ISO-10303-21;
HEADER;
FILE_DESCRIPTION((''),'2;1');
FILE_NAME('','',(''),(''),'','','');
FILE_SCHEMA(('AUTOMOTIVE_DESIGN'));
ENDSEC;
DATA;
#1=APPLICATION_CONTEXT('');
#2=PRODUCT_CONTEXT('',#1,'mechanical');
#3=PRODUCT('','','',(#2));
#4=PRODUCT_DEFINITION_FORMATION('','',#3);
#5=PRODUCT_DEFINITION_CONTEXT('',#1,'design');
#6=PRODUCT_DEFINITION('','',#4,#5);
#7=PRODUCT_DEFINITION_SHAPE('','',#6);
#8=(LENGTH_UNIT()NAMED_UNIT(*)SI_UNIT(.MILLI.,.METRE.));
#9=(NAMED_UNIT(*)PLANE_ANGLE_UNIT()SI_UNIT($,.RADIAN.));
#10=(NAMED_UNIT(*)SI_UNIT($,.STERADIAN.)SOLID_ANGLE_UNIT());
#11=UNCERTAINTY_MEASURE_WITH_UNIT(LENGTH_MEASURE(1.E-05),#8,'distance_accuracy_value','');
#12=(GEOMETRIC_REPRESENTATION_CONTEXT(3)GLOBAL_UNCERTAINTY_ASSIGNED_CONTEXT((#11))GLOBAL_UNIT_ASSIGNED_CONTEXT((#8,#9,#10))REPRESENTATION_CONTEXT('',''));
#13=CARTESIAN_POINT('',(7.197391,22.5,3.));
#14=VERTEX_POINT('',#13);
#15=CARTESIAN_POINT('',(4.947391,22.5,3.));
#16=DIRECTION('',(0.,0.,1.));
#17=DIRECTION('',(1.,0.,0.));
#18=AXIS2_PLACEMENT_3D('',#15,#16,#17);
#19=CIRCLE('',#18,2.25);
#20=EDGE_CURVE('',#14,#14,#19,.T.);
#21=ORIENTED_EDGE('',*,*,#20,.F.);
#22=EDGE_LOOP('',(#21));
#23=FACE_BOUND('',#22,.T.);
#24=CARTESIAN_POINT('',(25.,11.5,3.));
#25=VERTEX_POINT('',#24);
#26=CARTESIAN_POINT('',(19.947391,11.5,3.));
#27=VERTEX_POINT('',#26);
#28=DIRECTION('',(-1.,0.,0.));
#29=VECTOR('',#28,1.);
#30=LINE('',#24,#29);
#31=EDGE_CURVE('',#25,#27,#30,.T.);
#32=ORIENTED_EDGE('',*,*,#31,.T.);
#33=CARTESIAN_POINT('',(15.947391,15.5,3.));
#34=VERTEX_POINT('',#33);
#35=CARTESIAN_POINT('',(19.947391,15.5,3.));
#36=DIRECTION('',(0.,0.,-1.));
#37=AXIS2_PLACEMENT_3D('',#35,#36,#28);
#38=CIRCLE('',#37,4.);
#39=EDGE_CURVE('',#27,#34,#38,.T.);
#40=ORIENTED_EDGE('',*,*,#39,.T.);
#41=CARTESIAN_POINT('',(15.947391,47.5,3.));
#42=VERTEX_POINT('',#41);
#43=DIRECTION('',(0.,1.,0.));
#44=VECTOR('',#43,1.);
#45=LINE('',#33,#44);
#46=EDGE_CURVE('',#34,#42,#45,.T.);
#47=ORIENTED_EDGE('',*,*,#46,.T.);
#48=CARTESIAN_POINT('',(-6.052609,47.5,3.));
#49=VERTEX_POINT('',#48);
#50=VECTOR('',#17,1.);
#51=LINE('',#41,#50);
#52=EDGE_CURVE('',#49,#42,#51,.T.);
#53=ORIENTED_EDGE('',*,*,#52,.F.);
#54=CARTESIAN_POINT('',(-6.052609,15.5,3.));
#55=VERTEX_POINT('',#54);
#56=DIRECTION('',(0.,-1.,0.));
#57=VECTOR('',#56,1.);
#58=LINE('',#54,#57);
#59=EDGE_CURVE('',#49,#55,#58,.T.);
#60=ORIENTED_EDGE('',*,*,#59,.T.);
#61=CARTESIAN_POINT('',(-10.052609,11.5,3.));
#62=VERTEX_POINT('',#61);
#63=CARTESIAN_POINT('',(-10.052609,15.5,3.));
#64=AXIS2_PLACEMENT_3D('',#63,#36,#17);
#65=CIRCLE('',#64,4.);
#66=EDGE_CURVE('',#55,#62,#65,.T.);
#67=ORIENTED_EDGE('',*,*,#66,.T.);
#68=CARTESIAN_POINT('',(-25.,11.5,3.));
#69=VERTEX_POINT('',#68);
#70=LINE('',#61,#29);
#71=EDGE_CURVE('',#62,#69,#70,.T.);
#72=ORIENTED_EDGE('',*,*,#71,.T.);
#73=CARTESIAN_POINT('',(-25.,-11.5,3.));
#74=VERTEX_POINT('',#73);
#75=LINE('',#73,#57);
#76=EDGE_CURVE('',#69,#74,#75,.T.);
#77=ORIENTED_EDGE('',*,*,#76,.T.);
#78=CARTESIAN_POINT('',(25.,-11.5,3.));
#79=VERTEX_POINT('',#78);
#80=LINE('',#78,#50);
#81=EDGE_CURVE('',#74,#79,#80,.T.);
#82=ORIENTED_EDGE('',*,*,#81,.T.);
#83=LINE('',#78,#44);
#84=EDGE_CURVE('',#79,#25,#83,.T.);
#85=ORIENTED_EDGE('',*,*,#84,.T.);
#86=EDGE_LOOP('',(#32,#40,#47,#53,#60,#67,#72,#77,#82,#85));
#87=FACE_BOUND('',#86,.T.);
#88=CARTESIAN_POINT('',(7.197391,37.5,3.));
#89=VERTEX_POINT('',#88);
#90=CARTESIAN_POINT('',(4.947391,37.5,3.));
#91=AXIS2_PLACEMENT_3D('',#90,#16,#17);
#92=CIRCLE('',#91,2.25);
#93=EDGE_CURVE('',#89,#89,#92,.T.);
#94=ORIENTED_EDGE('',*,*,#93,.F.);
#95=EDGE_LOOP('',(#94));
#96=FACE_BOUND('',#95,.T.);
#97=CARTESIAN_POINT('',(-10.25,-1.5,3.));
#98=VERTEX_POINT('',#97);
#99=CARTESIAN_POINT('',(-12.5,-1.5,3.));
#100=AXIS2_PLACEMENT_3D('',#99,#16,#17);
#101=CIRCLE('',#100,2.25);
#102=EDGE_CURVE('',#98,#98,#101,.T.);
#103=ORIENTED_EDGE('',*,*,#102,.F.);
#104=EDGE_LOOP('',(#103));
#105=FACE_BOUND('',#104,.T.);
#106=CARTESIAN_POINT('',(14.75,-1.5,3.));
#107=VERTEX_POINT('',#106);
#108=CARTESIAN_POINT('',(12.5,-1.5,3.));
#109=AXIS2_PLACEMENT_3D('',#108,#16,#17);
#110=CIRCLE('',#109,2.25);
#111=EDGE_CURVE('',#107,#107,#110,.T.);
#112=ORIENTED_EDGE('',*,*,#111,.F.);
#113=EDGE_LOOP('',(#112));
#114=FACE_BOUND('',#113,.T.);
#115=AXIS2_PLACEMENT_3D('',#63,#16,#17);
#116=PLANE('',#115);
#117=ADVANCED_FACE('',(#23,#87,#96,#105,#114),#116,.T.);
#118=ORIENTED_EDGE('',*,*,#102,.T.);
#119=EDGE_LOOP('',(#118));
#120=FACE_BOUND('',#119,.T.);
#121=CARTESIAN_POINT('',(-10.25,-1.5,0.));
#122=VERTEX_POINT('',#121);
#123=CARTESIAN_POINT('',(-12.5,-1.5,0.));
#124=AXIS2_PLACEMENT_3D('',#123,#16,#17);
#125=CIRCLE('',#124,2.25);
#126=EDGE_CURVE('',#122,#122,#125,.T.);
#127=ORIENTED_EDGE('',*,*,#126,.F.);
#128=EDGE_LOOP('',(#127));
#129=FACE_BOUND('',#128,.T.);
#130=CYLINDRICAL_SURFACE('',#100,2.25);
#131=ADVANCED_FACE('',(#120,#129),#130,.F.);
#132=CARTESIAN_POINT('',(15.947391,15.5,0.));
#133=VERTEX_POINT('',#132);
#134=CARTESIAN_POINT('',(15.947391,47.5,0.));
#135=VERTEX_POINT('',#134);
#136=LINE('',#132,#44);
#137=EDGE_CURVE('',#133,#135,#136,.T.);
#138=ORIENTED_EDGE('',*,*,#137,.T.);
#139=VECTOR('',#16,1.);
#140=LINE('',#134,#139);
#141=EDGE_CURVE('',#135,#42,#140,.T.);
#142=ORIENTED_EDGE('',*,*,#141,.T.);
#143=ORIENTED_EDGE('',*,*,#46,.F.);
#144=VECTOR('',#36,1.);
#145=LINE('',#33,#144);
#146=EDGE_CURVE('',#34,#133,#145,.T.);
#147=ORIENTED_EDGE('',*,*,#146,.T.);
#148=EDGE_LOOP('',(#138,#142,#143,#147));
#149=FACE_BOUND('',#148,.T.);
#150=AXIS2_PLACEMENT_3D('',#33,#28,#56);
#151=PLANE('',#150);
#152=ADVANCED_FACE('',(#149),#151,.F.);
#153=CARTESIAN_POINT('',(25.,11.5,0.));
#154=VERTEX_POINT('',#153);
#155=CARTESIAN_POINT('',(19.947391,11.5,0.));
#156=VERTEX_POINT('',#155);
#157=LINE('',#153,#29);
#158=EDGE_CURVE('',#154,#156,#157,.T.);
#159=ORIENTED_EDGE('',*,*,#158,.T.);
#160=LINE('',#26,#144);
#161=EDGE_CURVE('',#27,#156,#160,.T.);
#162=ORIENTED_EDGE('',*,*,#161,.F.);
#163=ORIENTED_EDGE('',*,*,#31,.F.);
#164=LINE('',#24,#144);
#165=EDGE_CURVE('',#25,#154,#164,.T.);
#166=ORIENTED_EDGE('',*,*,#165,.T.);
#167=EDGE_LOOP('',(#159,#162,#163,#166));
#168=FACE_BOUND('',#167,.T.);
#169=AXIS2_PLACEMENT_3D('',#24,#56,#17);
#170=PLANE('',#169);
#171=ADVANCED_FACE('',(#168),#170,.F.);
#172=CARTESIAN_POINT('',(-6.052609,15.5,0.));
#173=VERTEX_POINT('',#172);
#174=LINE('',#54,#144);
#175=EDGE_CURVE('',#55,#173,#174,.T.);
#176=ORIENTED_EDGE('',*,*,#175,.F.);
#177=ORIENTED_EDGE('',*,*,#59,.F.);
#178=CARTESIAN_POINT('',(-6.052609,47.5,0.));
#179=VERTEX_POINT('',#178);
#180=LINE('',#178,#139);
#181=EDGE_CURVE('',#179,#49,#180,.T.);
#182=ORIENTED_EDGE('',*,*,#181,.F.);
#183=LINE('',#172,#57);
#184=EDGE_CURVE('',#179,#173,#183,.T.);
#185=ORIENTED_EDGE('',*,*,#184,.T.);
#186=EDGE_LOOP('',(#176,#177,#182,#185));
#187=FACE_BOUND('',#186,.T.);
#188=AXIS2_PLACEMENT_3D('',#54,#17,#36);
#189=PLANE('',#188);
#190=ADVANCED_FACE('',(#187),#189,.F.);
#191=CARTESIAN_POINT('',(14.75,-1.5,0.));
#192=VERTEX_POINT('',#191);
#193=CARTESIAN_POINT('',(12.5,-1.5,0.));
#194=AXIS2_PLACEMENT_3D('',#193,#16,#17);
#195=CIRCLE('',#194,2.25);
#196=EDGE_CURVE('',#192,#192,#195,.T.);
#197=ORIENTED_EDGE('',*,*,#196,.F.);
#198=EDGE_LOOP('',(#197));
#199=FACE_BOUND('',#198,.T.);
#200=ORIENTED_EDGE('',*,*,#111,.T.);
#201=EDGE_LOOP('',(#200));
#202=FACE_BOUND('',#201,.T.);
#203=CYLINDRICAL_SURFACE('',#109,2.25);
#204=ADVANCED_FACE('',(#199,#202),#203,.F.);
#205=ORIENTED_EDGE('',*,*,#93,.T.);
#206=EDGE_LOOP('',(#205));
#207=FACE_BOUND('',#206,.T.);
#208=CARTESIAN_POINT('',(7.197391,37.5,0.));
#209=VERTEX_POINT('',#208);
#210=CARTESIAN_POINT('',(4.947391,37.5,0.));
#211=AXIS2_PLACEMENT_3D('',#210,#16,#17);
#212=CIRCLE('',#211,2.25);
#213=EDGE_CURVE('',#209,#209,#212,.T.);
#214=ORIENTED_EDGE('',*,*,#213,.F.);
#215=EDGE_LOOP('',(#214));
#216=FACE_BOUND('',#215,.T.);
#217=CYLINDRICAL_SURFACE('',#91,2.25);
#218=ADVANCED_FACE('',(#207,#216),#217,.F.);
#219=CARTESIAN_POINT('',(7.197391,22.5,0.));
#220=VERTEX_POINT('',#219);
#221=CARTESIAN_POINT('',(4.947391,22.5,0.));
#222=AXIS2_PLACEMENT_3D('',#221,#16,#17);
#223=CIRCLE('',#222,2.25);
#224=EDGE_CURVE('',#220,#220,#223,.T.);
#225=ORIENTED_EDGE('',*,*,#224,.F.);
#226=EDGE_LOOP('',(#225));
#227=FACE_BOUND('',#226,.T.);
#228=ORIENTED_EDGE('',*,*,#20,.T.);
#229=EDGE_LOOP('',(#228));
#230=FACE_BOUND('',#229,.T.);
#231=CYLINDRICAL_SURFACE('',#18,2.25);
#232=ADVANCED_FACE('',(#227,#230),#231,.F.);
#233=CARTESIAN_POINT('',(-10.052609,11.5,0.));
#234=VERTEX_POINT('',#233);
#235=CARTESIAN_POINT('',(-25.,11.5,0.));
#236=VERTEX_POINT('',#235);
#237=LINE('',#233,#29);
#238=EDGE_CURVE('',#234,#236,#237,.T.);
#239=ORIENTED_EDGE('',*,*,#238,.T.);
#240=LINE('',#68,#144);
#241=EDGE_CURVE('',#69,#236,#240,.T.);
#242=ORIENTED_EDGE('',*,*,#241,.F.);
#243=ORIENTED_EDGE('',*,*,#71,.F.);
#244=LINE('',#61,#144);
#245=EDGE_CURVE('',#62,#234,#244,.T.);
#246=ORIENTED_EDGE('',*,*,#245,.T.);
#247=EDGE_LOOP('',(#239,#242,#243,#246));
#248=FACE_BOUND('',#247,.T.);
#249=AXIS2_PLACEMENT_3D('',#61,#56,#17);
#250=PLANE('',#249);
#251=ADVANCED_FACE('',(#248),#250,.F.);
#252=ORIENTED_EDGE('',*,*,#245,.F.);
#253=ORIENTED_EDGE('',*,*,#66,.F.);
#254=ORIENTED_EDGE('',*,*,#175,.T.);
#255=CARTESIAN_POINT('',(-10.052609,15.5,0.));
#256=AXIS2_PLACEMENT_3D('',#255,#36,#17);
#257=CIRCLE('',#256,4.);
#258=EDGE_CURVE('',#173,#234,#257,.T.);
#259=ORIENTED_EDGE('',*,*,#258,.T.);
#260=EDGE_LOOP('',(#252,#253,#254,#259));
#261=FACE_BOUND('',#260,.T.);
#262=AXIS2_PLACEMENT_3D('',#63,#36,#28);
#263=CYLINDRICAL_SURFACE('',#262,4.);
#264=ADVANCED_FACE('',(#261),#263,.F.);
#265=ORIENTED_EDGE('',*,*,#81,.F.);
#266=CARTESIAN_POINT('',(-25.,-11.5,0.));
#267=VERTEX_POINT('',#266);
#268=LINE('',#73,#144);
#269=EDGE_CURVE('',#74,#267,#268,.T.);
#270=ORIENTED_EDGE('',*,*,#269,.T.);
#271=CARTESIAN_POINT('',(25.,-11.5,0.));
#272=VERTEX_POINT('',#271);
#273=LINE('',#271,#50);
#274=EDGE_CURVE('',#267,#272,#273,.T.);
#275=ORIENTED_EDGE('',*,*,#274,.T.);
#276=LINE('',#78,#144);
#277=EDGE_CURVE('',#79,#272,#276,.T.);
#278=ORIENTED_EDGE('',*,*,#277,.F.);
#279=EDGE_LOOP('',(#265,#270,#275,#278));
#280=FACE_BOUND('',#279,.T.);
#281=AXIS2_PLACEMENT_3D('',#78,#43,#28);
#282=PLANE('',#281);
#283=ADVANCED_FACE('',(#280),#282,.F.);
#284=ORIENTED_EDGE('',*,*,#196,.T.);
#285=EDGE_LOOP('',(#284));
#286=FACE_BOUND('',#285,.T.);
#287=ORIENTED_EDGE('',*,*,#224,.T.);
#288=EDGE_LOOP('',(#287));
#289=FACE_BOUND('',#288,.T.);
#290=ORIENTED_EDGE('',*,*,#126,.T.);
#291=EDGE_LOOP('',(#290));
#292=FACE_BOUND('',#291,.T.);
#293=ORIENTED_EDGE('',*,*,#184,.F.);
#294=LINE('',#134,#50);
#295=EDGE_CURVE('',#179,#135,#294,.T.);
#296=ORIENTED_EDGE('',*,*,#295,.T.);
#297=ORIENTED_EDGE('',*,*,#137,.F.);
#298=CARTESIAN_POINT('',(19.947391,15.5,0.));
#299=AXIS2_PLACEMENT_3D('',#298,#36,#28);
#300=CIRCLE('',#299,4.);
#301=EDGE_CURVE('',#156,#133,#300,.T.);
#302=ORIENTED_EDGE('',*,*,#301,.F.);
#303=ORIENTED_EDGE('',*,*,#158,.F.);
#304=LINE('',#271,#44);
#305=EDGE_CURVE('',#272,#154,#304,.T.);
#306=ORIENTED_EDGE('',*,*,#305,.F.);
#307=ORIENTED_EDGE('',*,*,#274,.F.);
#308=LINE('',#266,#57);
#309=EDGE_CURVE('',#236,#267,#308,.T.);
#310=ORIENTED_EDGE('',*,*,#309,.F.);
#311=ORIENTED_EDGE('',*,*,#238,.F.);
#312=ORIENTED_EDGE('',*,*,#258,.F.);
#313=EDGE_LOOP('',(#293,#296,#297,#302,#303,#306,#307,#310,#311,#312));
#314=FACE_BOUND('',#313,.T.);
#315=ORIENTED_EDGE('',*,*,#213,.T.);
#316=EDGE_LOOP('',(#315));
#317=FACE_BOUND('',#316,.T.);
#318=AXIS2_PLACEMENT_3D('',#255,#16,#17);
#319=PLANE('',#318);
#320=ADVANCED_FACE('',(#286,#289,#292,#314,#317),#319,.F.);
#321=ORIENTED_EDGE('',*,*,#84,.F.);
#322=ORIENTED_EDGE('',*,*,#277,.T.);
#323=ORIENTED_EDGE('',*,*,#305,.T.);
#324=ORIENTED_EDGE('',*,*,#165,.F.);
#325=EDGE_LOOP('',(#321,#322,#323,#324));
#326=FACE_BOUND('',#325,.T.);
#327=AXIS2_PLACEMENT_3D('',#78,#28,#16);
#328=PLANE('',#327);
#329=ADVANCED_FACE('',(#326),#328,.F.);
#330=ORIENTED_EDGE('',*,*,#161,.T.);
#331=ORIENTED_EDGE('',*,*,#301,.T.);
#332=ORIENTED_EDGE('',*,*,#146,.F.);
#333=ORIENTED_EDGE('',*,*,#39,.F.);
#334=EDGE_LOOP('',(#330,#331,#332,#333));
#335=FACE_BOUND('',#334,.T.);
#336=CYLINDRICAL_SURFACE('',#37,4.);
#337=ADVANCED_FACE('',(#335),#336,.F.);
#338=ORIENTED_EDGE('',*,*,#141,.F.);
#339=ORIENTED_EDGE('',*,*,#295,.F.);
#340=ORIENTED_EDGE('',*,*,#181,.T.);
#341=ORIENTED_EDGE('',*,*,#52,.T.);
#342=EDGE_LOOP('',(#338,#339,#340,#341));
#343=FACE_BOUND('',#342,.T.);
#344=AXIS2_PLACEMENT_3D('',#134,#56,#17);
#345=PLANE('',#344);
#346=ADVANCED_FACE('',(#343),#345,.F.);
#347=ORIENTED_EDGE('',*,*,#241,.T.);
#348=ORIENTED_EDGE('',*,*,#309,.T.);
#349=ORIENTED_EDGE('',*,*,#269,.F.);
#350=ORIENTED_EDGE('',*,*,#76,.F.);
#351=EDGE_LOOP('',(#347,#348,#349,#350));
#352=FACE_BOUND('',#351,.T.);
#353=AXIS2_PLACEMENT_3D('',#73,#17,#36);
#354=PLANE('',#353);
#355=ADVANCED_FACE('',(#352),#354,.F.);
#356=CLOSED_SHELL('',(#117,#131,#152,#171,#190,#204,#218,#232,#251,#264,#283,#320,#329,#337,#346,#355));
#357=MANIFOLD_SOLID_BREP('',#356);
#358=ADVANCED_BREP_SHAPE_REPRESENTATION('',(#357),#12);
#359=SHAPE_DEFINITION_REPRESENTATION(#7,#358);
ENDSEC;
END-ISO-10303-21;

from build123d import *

# Parameters (mm, degrees)
AUFSATZ_LINEAR_AUSTRAGEN1_DEPTH = 3
DURCHGANGSLOCH_F_R_M41_D        = 4.5
DURCHGANGSLOCH_F_R_M42_D        = 4.5
SKIZZE6_W                       = 22
SKIZZE6_H                       = 24
SCHNITT_LINEAR_AUSTRAGEN1_DEPTH = 76.80402364


with BuildPart() as part:
    # Skizze1 → Aufsatz-Linear austragen1 (new body)
    with BuildSketch(Plane.XY):
        with BuildLine():
            Line((-10.0526089, 11.5), (-25, 11.5))
            Line((-25, 11.5), (-25, -11.5))
            Line((-25, -11.5), (25, -11.5))
            Line((25, -11.5), (25, 11.5))
            Line((25, 11.5), (19.9473911, 11.5))
            ThreePointArc((19.9473911, 11.5), (17.118963975, 12.671572875), (15.9473911, 15.5))
            Line((15.9473911, 15.5), (15.9473911, 71.5))
            Line((15.9473911, 71.5), (-6.0526089, 71.5))
            Line((-6.0526089, 71.5), (-6.0526089, 15.5))
            ThreePointArc((-6.0526089, 15.5), (-7.224181775, 12.671572875), (-10.0526089, 11.5))
        make_face()
    extrude(amount=AUFSATZ_LINEAR_AUSTRAGEN1_DEPTH)

    # Durchgangsloch für M41 (through all)
    with Locations(Plane.XY.offset(3)):
        with Locations((4.9473911, 22.5), (4.9473911, 37.5)):
            Hole(DURCHGANGSLOCH_F_R_M41_D / 2)

    # Durchgangsloch für M42 (through all)
    with Locations(Plane.XY.offset(3)):
        with Locations((-12.5, -1.5), (12.5, -1.5)):
            Hole(DURCHGANGSLOCH_F_R_M42_D / 2)

    # Skizze6 → Schnitt-Linear austragen1 (cut, through all)
    with BuildSketch(Plane.XY.offset(3)):
        with Locations((4.9473911, 59.5)):
            Rectangle(SKIZZE6_W, SKIZZE6_H)
    extrude(amount=-SCHNITT_LINEAR_AUSTRAGEN1_DEPTH, mode=Mode.SUBTRACT)


solid = part.part
